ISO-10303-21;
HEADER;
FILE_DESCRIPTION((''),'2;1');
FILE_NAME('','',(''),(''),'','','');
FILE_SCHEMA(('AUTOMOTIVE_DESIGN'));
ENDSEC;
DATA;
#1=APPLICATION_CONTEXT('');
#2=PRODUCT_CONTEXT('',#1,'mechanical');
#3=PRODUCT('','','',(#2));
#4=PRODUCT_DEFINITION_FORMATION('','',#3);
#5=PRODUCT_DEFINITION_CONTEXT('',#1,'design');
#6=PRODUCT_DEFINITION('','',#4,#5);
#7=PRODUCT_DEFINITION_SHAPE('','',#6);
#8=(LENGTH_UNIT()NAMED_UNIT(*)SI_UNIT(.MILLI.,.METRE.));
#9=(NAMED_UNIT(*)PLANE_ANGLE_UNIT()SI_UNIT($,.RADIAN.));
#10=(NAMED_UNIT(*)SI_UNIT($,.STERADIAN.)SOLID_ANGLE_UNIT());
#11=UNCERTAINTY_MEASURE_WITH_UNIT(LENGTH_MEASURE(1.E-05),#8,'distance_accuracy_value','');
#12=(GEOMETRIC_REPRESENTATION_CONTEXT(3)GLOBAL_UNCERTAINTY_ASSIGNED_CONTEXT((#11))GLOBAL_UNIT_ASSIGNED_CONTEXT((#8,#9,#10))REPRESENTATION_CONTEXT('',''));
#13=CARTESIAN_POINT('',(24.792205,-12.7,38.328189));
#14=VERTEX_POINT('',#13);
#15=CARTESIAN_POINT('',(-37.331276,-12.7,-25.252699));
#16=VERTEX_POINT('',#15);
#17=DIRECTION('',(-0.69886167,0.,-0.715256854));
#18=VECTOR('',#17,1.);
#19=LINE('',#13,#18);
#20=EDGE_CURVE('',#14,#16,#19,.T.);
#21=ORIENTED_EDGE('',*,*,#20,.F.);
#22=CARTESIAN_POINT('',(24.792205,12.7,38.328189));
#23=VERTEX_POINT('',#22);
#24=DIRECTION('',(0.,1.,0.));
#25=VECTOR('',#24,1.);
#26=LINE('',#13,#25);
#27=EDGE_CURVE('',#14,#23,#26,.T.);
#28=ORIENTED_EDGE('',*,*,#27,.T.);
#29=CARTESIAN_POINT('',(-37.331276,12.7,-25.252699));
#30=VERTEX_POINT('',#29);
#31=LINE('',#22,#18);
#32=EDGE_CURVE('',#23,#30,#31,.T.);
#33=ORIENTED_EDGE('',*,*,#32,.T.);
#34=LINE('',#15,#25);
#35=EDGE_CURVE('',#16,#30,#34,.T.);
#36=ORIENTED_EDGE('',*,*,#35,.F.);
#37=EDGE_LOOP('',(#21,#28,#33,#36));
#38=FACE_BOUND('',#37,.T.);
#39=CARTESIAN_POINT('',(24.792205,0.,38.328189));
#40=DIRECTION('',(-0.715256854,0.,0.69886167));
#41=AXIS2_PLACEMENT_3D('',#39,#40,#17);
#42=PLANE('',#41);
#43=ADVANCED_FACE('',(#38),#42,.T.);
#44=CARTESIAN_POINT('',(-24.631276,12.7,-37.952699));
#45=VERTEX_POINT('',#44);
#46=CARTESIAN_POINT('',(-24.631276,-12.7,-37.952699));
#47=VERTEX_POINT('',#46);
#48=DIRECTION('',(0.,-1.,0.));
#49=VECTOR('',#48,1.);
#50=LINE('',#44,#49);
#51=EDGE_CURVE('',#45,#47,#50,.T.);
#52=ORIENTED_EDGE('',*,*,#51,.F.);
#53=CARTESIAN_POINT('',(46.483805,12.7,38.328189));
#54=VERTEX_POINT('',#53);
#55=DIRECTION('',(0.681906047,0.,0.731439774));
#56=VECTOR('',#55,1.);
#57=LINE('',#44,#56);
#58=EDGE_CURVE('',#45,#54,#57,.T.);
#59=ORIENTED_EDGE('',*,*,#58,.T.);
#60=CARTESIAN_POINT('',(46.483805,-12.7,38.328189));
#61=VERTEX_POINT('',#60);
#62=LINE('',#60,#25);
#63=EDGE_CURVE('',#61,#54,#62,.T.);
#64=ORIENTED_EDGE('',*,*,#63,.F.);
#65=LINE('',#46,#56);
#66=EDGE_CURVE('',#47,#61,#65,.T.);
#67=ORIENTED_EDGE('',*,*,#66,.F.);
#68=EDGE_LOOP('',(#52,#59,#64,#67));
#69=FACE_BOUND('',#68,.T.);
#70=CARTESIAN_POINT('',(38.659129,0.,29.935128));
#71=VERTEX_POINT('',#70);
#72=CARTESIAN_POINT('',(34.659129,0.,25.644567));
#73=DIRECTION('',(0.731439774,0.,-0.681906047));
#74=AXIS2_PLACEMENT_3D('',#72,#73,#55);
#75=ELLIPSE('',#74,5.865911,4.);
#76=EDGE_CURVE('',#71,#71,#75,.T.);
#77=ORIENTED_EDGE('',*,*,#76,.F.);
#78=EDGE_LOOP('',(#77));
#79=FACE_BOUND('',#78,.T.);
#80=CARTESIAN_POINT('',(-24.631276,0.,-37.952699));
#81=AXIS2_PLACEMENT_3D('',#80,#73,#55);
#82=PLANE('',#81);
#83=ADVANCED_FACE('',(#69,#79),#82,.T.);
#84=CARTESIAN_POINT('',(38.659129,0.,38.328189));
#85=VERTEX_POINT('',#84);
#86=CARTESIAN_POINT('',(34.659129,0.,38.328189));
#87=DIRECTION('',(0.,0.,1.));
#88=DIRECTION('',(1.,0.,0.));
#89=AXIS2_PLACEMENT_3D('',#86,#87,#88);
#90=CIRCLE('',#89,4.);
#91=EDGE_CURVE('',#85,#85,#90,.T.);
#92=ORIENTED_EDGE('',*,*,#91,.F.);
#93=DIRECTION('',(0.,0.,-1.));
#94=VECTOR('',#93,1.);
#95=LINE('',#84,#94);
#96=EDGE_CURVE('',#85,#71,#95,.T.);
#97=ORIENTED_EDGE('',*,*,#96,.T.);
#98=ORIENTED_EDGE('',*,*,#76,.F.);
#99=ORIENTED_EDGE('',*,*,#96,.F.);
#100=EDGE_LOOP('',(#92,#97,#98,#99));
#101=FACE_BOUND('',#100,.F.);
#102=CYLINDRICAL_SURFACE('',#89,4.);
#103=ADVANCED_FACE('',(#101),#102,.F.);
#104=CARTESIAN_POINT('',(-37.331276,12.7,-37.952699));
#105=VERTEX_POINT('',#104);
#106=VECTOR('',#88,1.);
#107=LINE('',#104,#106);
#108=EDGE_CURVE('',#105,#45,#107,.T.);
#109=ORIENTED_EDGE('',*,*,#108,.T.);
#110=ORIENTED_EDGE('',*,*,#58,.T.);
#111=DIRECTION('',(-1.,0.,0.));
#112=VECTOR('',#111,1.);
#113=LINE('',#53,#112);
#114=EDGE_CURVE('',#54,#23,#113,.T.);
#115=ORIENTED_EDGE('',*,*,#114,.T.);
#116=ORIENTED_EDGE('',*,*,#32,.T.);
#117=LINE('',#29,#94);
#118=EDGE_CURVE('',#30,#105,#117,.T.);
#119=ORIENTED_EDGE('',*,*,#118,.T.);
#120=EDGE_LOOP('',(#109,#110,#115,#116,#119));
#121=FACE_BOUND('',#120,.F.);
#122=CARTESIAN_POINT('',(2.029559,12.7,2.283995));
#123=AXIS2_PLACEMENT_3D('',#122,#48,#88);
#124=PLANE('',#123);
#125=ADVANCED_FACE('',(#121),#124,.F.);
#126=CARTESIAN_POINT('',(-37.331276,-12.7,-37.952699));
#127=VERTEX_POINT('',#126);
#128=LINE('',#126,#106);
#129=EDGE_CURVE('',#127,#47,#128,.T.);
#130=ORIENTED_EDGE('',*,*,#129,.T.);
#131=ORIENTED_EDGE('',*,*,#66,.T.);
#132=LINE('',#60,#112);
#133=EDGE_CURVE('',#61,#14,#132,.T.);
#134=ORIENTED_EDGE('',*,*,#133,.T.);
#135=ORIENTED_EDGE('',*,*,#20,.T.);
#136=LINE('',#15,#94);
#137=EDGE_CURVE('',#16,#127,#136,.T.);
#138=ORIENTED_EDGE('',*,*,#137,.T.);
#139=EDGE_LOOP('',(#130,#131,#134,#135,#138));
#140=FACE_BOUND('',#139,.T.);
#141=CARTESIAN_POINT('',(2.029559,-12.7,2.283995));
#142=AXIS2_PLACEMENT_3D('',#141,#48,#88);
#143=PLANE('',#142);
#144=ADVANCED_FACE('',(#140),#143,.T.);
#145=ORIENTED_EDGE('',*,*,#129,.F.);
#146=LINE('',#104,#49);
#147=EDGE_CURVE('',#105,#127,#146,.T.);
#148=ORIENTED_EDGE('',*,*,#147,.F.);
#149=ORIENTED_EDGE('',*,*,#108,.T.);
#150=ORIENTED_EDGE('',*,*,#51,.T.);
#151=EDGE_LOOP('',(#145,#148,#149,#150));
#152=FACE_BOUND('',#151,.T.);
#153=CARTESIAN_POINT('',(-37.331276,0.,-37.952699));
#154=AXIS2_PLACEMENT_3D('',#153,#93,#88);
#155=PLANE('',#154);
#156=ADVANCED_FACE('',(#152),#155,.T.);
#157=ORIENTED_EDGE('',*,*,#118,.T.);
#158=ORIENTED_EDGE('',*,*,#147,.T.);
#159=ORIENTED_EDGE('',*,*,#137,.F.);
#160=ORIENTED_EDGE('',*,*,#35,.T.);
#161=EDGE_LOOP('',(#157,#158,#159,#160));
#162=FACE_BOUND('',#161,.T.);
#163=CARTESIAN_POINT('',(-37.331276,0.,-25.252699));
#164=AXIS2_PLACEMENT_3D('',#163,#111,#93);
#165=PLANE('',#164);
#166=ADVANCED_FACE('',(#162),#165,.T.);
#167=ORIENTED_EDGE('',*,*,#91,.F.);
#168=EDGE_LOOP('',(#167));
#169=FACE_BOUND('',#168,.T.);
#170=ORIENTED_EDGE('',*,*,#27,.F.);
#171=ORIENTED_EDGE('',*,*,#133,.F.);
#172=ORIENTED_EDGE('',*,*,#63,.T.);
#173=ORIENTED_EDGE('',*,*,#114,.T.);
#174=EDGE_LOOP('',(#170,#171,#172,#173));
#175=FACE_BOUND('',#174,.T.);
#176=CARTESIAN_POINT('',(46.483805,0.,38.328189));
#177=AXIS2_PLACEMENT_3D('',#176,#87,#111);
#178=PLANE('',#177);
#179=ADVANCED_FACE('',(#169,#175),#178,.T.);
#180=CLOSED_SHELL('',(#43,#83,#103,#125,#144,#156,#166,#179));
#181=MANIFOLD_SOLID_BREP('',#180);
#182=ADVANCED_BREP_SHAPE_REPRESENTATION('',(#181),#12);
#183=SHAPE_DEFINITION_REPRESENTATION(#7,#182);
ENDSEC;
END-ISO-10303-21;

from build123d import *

# Parameters (mm, degrees)
F1_DEPTH = 12.7
F2_R     = 4
F3_DEPTH = 25.4


with BuildPart() as f1:
    # F0 (on Front) → F1 (new body, symmetric)
    with BuildSketch(Plane.XZ):
        Polygon((-37.331276, -25.252699), (-37.331276, -37.952699), (-24.631276, -37.952699), (46.483805, 38.328189), (24.792205, 38.328189), align=None)
    extrude(amount=F1_DEPTH, both=True)

    # F2 (on face) → F3 (cut)
    with BuildSketch(Plane.XY.offset(38.328189)):
        with Locations((34.659129, 0)):
            Circle(F2_R)
    extrude(amount=-F3_DEPTH, mode=Mode.SUBTRACT)


solid = f1.part
